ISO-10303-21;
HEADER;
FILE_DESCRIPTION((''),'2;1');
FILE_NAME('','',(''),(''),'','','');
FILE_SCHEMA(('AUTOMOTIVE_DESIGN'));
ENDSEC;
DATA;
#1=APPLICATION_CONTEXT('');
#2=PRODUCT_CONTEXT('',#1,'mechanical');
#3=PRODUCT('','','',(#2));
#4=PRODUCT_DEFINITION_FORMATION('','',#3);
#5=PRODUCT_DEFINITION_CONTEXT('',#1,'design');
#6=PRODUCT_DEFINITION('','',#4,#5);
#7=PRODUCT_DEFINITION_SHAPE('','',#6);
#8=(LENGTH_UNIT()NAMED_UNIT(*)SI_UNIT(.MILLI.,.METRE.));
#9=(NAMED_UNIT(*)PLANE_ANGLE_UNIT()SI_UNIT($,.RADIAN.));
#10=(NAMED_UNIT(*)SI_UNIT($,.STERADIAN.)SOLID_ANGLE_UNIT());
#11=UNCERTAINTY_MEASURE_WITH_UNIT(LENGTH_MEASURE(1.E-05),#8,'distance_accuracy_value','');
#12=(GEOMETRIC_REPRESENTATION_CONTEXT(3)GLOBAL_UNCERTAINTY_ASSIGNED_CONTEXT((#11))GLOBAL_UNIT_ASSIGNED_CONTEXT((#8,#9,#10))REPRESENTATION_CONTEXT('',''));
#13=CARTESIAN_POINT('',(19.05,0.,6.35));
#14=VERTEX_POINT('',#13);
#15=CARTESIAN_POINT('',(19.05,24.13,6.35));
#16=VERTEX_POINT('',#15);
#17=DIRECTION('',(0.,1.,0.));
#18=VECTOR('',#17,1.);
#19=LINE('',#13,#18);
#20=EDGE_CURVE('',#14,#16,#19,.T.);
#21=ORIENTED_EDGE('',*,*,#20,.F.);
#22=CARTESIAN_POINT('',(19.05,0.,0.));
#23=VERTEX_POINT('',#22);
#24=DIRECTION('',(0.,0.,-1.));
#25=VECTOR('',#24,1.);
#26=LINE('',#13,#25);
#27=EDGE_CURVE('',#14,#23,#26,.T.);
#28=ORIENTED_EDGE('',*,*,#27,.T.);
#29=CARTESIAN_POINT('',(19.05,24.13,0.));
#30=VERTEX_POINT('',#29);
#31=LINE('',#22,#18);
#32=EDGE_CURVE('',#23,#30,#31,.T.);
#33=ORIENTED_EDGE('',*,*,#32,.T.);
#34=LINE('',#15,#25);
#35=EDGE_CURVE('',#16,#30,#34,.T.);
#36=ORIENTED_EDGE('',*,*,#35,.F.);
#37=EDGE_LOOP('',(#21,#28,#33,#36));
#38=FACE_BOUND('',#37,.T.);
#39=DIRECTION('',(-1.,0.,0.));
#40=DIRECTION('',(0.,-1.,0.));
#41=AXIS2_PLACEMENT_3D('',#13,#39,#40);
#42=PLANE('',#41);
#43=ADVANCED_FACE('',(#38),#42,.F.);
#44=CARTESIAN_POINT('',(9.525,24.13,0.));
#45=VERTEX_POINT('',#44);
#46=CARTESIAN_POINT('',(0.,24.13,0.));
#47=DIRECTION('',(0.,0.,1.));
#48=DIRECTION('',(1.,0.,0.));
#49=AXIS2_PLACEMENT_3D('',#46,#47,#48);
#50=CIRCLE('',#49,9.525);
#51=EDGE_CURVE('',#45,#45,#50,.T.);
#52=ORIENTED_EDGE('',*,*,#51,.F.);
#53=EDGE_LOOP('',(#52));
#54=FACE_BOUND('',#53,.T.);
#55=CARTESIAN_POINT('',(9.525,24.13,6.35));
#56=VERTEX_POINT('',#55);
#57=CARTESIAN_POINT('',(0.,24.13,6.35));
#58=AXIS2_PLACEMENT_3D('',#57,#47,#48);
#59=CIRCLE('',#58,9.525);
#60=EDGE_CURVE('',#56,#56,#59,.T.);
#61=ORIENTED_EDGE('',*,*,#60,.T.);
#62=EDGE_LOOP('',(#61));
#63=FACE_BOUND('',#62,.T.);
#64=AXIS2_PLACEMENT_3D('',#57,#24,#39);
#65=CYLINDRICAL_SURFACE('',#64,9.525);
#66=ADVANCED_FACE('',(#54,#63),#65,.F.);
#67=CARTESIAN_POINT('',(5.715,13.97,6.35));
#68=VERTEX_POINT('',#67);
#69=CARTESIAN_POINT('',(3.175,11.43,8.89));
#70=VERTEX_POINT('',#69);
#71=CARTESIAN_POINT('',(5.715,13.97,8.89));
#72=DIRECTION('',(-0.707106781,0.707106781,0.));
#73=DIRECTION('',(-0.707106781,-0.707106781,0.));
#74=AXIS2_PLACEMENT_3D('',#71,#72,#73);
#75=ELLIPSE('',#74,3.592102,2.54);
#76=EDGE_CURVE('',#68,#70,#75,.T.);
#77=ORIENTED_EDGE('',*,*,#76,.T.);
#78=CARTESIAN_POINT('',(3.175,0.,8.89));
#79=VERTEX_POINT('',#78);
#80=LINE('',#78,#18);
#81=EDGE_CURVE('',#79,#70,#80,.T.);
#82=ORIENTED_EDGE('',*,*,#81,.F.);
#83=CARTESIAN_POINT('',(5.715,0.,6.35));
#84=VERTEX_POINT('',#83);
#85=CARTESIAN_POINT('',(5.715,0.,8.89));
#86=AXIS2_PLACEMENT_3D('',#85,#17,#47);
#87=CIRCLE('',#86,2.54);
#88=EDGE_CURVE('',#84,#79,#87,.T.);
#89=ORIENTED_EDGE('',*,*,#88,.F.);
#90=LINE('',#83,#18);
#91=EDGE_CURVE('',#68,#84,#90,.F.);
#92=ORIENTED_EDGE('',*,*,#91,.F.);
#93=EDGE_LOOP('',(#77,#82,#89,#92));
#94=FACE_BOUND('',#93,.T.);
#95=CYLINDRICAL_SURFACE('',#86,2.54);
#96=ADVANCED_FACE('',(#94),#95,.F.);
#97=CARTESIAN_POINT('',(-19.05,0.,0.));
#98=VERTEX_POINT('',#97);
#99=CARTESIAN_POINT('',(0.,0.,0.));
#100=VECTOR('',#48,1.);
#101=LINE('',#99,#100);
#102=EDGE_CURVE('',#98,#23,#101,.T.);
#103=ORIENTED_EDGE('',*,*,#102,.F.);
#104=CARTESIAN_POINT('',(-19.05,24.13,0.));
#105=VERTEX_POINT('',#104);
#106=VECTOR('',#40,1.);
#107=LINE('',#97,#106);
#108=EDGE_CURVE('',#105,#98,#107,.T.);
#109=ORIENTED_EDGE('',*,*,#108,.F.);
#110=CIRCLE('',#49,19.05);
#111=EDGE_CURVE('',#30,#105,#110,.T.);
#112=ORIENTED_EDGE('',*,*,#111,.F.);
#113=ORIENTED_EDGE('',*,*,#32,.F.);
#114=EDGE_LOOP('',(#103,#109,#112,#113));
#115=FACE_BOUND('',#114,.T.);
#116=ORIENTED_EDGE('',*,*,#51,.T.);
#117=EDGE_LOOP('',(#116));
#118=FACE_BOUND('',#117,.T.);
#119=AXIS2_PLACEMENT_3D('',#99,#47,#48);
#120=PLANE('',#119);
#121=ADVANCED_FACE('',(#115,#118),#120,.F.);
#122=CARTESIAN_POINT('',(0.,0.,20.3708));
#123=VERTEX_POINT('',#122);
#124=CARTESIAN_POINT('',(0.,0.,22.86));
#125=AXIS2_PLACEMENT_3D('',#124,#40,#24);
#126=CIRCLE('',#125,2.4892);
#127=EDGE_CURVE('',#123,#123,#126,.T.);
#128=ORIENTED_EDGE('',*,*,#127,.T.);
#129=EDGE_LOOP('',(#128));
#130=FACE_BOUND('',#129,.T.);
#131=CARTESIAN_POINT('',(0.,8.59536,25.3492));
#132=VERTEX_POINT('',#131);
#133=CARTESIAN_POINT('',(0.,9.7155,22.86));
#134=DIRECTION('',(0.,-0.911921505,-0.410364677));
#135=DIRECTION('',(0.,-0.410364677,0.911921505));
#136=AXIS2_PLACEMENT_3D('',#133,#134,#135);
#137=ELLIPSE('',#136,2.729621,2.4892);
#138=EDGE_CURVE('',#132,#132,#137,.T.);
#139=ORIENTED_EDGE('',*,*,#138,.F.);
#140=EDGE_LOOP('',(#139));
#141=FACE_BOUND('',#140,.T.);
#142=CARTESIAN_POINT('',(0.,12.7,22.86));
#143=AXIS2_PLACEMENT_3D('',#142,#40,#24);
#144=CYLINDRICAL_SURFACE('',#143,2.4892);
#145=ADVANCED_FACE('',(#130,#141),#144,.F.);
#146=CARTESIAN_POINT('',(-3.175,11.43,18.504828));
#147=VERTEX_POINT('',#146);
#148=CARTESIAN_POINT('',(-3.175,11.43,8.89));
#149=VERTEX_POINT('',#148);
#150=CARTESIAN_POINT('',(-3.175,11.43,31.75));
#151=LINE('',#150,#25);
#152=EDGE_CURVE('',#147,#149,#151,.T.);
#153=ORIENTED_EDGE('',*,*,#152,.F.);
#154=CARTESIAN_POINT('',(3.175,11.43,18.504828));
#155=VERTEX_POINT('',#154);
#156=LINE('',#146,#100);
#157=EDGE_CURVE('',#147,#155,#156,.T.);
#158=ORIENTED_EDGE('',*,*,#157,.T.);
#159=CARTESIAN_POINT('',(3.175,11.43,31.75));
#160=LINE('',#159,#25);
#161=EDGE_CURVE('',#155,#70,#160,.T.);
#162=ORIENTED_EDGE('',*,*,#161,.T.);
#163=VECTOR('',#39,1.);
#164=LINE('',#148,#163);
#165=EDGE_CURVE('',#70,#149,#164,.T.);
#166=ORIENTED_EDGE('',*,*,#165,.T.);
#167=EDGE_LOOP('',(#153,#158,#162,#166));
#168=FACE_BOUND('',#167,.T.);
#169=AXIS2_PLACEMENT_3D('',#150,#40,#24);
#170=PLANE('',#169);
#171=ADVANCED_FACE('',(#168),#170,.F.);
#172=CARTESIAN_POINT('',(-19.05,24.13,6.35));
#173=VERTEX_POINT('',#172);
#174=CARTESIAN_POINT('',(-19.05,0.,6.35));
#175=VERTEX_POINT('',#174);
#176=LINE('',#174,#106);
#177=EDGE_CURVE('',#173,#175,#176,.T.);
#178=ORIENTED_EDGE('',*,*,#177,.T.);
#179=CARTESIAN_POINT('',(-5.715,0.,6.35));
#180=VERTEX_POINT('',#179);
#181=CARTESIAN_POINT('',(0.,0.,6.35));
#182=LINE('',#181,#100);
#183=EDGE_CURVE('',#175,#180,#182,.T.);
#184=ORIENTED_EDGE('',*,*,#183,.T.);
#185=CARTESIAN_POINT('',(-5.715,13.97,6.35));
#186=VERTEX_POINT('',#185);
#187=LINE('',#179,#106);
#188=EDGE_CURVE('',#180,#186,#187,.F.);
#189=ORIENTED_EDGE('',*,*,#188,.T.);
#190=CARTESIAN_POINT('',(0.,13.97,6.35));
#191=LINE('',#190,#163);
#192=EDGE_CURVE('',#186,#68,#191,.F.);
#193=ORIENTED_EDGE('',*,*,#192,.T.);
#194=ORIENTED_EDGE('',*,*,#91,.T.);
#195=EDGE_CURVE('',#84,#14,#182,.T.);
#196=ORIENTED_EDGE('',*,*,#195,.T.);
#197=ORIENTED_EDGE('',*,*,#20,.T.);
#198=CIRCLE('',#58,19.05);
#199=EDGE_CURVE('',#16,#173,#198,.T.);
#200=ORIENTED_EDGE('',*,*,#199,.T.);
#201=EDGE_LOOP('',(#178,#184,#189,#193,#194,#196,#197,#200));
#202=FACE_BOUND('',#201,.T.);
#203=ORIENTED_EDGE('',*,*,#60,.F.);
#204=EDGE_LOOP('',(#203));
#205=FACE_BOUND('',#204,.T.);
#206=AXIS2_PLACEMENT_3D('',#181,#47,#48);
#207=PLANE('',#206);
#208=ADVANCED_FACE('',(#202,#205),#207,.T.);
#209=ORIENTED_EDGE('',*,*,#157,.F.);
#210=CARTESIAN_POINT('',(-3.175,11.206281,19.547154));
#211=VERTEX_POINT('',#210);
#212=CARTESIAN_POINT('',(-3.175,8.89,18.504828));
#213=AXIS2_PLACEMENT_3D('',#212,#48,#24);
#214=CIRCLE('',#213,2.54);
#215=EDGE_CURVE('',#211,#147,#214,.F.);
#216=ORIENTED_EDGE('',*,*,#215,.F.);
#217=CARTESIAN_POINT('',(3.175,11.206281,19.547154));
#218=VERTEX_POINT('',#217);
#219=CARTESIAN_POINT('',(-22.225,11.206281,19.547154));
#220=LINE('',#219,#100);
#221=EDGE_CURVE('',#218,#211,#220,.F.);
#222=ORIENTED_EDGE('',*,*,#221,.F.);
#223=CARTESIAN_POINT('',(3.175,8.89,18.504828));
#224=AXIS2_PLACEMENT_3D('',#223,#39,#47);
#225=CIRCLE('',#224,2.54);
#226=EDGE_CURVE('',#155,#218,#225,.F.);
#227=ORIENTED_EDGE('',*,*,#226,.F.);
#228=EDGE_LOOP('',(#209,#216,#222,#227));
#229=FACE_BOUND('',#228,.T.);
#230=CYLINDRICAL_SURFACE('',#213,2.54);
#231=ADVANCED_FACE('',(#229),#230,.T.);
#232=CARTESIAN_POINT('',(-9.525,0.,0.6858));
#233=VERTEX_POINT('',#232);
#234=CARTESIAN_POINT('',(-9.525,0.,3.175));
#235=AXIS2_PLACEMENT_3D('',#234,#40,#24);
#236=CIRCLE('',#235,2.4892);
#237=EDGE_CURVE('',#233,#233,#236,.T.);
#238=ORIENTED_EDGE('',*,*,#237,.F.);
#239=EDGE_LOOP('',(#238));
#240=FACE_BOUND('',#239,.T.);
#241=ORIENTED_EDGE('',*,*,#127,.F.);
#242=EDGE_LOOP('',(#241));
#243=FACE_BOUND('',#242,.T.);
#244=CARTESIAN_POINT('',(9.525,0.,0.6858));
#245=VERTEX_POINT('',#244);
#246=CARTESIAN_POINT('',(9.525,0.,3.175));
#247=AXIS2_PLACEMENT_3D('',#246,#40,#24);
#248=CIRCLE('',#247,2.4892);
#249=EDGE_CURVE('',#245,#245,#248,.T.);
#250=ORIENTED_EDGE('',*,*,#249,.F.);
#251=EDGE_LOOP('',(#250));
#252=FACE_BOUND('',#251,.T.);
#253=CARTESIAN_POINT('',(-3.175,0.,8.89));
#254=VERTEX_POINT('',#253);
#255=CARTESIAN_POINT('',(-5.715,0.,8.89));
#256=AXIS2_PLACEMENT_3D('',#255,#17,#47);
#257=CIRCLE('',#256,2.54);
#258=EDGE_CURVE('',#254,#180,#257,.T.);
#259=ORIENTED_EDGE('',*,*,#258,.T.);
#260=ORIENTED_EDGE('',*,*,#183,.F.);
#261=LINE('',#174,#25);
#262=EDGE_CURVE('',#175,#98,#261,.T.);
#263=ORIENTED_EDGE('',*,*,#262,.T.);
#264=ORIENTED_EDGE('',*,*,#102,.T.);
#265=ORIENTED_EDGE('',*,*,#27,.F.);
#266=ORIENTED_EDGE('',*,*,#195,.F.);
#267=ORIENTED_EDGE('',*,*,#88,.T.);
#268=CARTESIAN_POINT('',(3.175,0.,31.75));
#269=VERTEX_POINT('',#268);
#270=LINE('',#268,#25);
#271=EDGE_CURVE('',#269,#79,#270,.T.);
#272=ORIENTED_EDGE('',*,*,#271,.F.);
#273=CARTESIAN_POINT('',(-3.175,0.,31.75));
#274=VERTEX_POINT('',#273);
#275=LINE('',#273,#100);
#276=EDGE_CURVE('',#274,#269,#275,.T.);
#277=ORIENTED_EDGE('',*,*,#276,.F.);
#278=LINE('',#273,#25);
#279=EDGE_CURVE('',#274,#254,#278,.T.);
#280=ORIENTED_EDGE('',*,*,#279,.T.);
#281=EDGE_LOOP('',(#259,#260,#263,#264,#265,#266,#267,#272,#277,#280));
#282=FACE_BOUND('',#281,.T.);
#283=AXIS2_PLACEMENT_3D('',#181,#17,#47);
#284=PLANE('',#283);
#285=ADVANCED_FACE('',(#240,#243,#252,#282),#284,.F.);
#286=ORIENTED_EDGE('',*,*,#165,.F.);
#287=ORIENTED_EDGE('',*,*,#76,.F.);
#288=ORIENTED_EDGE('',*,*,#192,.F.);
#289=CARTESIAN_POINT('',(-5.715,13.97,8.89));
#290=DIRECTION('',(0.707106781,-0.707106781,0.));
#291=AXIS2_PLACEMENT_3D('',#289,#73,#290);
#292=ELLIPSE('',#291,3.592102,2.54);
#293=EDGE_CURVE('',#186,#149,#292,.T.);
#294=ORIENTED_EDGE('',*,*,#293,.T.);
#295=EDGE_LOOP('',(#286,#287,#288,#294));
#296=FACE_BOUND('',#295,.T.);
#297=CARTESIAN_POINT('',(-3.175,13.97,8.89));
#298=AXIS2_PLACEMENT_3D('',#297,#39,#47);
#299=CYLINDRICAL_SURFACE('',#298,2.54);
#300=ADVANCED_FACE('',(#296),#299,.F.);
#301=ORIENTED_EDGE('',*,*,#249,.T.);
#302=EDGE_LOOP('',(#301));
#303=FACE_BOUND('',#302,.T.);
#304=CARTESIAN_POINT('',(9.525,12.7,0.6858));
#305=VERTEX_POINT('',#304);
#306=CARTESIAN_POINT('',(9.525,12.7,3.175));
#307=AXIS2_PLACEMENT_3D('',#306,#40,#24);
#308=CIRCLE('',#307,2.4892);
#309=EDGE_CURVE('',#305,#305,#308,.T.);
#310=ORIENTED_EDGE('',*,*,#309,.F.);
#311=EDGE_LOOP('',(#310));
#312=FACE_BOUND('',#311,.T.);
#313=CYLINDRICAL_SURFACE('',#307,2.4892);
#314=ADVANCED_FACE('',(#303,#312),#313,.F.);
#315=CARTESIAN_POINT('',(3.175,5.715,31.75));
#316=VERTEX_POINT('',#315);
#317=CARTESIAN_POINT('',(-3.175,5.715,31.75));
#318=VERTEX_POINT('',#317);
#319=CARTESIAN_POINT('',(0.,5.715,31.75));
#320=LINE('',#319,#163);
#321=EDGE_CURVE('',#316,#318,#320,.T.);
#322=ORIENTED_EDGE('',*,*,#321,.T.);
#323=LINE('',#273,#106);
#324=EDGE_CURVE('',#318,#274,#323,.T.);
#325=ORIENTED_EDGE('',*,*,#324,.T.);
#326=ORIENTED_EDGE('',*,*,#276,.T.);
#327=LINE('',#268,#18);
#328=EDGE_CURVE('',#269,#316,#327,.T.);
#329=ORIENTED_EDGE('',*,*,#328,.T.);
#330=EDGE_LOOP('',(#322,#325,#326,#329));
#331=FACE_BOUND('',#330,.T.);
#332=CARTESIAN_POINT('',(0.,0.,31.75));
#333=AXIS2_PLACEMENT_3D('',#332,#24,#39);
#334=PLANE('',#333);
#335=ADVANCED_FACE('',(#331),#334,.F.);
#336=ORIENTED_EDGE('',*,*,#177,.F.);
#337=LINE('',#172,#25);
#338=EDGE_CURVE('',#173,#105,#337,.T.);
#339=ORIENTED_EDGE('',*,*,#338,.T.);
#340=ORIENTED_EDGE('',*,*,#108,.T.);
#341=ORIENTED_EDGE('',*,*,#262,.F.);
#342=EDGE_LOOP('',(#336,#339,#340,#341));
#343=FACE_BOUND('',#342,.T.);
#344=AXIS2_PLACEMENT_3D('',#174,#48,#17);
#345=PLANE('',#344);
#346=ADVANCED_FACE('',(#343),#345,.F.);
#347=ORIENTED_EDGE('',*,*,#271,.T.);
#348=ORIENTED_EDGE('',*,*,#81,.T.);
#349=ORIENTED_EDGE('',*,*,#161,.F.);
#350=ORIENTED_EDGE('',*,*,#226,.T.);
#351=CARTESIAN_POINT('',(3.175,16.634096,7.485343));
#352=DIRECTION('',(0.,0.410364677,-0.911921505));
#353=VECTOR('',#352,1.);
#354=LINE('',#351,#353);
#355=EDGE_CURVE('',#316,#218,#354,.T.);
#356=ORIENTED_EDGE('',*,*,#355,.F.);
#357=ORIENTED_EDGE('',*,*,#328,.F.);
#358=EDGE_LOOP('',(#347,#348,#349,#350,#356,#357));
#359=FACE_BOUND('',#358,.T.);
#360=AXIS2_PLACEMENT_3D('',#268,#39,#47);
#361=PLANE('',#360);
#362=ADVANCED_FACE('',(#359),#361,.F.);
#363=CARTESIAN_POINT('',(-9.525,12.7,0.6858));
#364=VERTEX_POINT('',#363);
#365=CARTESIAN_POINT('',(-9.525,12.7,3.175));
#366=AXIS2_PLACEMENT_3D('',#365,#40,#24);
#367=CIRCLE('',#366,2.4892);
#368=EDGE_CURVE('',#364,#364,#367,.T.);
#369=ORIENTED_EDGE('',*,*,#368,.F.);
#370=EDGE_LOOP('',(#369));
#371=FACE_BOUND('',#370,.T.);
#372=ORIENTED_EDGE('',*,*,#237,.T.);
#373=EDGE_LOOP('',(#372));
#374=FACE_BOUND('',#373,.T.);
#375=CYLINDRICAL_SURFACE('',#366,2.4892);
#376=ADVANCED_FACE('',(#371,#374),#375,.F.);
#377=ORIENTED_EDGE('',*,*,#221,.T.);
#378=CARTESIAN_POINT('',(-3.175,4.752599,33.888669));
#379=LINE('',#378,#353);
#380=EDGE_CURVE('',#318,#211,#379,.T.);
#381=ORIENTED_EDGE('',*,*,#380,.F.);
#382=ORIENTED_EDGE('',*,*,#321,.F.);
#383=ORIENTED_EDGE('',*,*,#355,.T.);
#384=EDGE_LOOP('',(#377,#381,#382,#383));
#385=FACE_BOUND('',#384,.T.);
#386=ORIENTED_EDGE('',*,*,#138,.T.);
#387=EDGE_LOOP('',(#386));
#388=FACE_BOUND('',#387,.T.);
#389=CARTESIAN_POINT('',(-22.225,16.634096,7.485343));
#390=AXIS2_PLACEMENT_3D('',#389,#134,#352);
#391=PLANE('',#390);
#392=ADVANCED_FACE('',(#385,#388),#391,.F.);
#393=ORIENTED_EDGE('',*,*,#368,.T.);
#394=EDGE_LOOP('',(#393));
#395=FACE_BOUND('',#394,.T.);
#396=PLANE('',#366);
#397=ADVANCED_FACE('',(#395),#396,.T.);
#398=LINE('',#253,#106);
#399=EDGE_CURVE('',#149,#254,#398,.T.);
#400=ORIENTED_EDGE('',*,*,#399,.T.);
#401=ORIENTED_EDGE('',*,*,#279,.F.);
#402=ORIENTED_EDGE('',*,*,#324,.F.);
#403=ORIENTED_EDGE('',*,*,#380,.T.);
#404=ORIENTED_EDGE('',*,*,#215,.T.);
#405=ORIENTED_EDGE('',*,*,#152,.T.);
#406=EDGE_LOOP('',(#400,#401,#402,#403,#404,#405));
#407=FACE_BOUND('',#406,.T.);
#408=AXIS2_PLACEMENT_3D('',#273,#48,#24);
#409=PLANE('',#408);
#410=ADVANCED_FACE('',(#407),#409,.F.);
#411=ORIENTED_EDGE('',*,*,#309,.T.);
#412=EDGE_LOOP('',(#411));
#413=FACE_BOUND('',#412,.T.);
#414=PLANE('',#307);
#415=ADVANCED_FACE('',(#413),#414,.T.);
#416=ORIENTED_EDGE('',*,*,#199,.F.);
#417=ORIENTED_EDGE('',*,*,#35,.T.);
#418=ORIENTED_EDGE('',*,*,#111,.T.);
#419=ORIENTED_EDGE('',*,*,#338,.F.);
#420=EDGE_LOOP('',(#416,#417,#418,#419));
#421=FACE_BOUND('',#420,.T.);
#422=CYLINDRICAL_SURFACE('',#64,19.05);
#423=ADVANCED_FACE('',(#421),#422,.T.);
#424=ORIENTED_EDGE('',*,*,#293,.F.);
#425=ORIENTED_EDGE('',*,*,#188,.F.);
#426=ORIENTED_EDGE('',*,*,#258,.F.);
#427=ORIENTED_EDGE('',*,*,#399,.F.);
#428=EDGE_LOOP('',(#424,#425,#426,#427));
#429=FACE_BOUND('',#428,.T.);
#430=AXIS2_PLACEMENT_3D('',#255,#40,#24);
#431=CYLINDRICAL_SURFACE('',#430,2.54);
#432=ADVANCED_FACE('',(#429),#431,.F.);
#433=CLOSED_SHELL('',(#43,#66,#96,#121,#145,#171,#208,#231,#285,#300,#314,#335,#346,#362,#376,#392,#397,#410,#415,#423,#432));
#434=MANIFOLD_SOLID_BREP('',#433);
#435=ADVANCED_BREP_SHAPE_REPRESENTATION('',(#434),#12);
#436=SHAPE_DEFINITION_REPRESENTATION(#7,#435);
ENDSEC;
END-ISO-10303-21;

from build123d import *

# Parameters (mm, degrees)
SKETCH1_R           = 9.525
BOSS_EXTRUDE1_DEPTH = 6.35
SKETCH2_W           = 6.35
SKETCH2_H           = 11.43
BOSS_EXTRUDE2_DEPTH = 25.4
CUT_EXTRUDE1_DEPTH  = 25.4
SKETCH4_R           = 2.4892
CUT_EXTRUDE2_DEPTH  = 12.7
FILLET1_R           = 2.54


with BuildPart() as part:
    # Sketch1 → Boss-Extrude1 (new body)
    with BuildSketch(Plane.XY):
        with BuildLine():
            Line((19.05, 0), (19.05, 24.13))
            ThreePointArc((19.05, 24.13), (0, 43.18), (-19.05, 24.13))
            Line((-19.05, 24.13), (-19.05, 0))
            Line((-19.05, 0), (19.05, 0))
        make_face()
        with Locations((0, 24.13)):
            Circle(SKETCH1_R, mode=Mode.SUBTRACT)
    extrude(amount=BOSS_EXTRUDE1_DEPTH)

    # Sketch2 → Boss-Extrude2 (add)
    with BuildSketch(Plane.XY.offset(6.35)):
        with Locations((0, 5.715)):
            Rectangle(SKETCH2_W, SKETCH2_H)
    extrude(amount=BOSS_EXTRUDE2_DEPTH)

    # Sketch3 → Cut-Extrude1 (cut)
    with BuildSketch(Plane(origin=(3.175, 0, 0), x_dir=(0, 0, -1), z_dir=(1, 0, 0))):
        Polygon((-31.75, 5.715), (-19.05, 11.43), (-31.75, 11.43), align=None)
    extrude(amount=-CUT_EXTRUDE1_DEPTH, mode=Mode.SUBTRACT)

    # Sketch4 → Cut-Extrude2 (cut)
    with BuildSketch(Plane.XZ):
        with Locations(Location((-9.525, 3.175, 0), (0, 0, 270))):
            Circle(SKETCH4_R)
        with Locations(Location((9.525, 3.175, 0), (0, 0, 270))):
            Circle(SKETCH4_R)
        with Locations(Location((0, 22.86, 0), (0, 0, 270))):
            Circle(SKETCH4_R)
    extrude(amount=-CUT_EXTRUDE2_DEPTH, mode=Mode.SUBTRACT)

    # Fillet1
    fillet1_edges = [part.edges().sort_by_distance(p)[0] for p in [
        (0, 11.43, 19.05),
        (3.175, 5.715, 6.35),
        (0, 11.43, 6.35),
        (-3.175, 5.715, 6.35),
    ]]
    fillet(fillet1_edges, radius=FILLET1_R)


solid = part.part
